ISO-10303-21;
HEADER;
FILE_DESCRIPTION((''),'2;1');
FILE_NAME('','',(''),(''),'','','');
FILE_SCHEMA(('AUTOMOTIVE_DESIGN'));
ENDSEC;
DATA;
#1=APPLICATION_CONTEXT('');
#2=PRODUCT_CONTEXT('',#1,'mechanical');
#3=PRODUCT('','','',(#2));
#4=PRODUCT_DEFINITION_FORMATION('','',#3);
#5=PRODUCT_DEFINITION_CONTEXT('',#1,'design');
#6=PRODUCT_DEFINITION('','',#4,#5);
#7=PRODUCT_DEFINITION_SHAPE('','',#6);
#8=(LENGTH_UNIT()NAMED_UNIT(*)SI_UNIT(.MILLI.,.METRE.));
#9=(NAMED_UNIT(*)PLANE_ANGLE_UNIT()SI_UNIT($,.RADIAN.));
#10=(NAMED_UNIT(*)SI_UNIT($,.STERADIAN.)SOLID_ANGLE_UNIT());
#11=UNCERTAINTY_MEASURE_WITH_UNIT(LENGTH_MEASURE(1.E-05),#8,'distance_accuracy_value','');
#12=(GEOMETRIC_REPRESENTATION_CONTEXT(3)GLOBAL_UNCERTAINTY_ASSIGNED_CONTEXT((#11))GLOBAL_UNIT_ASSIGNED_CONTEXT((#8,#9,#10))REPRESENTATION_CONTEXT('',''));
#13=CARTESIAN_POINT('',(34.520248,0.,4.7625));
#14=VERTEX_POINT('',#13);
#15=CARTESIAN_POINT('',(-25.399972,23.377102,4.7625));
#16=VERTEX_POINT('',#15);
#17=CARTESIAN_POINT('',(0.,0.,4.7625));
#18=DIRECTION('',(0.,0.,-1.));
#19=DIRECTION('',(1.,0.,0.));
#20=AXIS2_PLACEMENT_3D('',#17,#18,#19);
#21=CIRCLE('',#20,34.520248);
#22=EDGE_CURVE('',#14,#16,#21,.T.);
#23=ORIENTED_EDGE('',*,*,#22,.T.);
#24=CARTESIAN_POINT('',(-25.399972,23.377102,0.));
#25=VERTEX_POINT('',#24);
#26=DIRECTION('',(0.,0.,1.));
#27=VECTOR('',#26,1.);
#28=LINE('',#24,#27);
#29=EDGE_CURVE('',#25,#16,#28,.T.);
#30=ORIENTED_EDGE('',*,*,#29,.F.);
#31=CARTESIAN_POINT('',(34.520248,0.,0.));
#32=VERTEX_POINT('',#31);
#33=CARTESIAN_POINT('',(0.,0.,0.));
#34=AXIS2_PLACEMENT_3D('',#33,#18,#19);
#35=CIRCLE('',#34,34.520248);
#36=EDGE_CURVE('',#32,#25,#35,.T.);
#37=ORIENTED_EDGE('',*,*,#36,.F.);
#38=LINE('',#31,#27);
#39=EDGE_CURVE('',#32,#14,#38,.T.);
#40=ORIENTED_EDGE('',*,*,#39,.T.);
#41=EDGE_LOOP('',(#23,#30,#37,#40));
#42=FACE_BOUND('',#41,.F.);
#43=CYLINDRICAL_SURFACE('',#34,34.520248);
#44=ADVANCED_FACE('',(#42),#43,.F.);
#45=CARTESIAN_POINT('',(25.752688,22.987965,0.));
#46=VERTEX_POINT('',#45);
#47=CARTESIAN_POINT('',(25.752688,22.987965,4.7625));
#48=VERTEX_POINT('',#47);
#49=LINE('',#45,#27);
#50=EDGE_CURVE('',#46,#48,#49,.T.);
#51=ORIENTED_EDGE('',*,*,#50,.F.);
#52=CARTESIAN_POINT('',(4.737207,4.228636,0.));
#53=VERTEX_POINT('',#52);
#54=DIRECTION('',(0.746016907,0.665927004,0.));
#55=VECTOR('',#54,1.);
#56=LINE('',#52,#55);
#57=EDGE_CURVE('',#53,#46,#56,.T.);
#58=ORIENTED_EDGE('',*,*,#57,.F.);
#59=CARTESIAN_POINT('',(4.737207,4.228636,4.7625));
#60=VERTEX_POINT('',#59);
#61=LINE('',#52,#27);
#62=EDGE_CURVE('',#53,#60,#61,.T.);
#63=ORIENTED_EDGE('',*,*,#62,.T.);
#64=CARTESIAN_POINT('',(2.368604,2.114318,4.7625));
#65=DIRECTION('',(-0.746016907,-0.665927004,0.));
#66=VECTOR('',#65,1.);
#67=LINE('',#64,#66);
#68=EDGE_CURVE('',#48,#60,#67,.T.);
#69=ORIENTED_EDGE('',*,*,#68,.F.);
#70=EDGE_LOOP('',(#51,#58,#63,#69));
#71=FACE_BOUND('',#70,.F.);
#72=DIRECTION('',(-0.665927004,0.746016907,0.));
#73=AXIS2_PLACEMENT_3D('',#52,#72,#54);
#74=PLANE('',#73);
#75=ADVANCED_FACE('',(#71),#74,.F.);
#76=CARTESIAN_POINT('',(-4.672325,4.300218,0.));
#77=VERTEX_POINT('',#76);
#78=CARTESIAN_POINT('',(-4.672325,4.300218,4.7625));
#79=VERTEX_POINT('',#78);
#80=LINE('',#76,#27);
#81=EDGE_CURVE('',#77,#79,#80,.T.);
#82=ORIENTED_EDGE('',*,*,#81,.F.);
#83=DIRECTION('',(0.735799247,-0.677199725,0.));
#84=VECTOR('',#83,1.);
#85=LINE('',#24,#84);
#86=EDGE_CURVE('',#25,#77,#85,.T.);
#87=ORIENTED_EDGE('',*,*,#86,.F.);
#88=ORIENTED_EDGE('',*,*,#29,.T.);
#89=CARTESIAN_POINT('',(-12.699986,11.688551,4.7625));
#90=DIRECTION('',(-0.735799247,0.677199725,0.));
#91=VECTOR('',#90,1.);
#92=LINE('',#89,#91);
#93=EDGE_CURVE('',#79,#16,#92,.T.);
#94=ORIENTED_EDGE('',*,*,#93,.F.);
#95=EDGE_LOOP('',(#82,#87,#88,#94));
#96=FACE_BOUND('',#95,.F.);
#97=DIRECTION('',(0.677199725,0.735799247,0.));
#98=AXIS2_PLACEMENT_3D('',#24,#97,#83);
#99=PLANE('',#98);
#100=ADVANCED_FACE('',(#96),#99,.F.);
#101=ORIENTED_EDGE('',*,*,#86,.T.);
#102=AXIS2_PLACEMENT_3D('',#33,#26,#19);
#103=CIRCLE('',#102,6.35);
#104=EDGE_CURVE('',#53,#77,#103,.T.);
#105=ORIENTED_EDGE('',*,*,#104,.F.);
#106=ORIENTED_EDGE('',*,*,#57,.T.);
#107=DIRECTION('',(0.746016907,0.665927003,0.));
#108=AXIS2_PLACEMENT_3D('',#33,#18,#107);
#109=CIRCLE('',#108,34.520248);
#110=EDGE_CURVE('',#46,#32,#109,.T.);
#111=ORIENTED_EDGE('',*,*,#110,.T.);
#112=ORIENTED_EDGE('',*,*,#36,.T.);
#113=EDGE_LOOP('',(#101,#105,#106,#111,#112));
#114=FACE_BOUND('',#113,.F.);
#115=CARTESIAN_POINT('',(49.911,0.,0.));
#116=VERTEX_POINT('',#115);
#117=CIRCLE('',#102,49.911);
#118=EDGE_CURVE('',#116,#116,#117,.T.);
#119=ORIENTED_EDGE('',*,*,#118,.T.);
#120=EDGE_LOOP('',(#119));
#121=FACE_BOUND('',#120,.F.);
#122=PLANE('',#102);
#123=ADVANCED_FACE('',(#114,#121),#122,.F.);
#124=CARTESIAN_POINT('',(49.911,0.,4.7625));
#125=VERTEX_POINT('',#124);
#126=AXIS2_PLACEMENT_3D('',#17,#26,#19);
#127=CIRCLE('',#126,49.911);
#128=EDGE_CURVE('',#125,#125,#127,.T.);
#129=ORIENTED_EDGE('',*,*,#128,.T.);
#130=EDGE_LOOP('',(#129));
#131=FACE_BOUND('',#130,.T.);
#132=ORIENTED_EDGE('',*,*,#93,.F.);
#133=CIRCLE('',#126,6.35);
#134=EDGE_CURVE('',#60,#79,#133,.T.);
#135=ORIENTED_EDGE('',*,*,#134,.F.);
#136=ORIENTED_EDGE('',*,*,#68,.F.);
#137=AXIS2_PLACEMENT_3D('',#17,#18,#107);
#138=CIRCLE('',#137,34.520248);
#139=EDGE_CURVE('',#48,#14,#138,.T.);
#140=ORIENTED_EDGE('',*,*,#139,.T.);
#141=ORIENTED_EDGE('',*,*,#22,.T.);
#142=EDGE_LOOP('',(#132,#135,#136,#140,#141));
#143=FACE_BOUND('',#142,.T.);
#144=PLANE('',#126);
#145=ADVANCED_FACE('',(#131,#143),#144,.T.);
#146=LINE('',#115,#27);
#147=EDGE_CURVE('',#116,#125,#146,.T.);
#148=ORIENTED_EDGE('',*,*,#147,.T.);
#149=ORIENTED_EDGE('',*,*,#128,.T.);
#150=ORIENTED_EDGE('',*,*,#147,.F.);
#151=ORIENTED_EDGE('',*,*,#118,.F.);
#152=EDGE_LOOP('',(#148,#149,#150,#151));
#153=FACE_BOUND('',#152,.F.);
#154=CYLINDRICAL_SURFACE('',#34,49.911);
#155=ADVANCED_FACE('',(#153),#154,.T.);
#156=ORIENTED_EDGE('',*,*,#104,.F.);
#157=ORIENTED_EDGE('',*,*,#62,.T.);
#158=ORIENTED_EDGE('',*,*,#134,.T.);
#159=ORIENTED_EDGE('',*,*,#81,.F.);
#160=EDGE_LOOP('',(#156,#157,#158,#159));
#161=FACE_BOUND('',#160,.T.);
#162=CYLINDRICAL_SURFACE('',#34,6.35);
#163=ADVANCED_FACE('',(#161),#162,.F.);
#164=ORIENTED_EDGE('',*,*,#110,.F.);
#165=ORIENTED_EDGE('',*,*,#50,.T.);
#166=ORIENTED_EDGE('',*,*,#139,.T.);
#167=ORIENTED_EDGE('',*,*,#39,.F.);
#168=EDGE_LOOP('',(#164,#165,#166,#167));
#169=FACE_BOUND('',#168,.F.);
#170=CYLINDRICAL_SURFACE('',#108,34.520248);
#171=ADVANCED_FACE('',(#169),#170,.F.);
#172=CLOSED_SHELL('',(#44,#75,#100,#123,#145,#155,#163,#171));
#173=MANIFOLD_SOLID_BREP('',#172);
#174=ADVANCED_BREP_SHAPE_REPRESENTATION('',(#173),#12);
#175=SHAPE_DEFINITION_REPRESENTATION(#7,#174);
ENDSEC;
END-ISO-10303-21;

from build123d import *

# Parameters (mm, degrees)
F0_R     = 49.911
F0_R_2   = 6.35
F1_DEPTH = 4.7625
F3_DEPTH = 9.144


with BuildPart() as f1:
    # F0 (on Top) → F1 (new body)
    with BuildSketch(Plane.XY):
        Circle(F0_R)
        Circle(F0_R_2, mode=Mode.SUBTRACT)
    extrude(amount=F1_DEPTH)

    # F2 (on face) → F3 (cut)
    with BuildSketch(Plane(origin=(0, 0, 0), x_dir=(1, 0, 0), z_dir=(0, 0, -1))):
        with BuildLine():
            ThreePointArc((25.7526882864, -22.9879649836), (32.253966126, -12.3015916531), (34.5202475087, 0))
            ThreePointArc((34.5202475087, 0), (-12.546596424, 32.1594528286), (-25.3999721233, -23.3771021343))
            Line((-25.3999721233, -23.3771021343), (-4.6723252185, -4.3002182564))
            ThreePointArc((-4.6723252185, -4.3002182564), (-2.3079465833, 5.9157317864), (6.35, 0))
            ThreePointArc((6.35, 0), (5.9331175088, -2.2628779524), (4.7372073615, -4.2286364722))
            Line((4.7372073615, -4.2286364722), (25.7526882864, -22.9879649836))
        make_face()
    extrude(amount=-F3_DEPTH, mode=Mode.SUBTRACT)


solid = f1.part
